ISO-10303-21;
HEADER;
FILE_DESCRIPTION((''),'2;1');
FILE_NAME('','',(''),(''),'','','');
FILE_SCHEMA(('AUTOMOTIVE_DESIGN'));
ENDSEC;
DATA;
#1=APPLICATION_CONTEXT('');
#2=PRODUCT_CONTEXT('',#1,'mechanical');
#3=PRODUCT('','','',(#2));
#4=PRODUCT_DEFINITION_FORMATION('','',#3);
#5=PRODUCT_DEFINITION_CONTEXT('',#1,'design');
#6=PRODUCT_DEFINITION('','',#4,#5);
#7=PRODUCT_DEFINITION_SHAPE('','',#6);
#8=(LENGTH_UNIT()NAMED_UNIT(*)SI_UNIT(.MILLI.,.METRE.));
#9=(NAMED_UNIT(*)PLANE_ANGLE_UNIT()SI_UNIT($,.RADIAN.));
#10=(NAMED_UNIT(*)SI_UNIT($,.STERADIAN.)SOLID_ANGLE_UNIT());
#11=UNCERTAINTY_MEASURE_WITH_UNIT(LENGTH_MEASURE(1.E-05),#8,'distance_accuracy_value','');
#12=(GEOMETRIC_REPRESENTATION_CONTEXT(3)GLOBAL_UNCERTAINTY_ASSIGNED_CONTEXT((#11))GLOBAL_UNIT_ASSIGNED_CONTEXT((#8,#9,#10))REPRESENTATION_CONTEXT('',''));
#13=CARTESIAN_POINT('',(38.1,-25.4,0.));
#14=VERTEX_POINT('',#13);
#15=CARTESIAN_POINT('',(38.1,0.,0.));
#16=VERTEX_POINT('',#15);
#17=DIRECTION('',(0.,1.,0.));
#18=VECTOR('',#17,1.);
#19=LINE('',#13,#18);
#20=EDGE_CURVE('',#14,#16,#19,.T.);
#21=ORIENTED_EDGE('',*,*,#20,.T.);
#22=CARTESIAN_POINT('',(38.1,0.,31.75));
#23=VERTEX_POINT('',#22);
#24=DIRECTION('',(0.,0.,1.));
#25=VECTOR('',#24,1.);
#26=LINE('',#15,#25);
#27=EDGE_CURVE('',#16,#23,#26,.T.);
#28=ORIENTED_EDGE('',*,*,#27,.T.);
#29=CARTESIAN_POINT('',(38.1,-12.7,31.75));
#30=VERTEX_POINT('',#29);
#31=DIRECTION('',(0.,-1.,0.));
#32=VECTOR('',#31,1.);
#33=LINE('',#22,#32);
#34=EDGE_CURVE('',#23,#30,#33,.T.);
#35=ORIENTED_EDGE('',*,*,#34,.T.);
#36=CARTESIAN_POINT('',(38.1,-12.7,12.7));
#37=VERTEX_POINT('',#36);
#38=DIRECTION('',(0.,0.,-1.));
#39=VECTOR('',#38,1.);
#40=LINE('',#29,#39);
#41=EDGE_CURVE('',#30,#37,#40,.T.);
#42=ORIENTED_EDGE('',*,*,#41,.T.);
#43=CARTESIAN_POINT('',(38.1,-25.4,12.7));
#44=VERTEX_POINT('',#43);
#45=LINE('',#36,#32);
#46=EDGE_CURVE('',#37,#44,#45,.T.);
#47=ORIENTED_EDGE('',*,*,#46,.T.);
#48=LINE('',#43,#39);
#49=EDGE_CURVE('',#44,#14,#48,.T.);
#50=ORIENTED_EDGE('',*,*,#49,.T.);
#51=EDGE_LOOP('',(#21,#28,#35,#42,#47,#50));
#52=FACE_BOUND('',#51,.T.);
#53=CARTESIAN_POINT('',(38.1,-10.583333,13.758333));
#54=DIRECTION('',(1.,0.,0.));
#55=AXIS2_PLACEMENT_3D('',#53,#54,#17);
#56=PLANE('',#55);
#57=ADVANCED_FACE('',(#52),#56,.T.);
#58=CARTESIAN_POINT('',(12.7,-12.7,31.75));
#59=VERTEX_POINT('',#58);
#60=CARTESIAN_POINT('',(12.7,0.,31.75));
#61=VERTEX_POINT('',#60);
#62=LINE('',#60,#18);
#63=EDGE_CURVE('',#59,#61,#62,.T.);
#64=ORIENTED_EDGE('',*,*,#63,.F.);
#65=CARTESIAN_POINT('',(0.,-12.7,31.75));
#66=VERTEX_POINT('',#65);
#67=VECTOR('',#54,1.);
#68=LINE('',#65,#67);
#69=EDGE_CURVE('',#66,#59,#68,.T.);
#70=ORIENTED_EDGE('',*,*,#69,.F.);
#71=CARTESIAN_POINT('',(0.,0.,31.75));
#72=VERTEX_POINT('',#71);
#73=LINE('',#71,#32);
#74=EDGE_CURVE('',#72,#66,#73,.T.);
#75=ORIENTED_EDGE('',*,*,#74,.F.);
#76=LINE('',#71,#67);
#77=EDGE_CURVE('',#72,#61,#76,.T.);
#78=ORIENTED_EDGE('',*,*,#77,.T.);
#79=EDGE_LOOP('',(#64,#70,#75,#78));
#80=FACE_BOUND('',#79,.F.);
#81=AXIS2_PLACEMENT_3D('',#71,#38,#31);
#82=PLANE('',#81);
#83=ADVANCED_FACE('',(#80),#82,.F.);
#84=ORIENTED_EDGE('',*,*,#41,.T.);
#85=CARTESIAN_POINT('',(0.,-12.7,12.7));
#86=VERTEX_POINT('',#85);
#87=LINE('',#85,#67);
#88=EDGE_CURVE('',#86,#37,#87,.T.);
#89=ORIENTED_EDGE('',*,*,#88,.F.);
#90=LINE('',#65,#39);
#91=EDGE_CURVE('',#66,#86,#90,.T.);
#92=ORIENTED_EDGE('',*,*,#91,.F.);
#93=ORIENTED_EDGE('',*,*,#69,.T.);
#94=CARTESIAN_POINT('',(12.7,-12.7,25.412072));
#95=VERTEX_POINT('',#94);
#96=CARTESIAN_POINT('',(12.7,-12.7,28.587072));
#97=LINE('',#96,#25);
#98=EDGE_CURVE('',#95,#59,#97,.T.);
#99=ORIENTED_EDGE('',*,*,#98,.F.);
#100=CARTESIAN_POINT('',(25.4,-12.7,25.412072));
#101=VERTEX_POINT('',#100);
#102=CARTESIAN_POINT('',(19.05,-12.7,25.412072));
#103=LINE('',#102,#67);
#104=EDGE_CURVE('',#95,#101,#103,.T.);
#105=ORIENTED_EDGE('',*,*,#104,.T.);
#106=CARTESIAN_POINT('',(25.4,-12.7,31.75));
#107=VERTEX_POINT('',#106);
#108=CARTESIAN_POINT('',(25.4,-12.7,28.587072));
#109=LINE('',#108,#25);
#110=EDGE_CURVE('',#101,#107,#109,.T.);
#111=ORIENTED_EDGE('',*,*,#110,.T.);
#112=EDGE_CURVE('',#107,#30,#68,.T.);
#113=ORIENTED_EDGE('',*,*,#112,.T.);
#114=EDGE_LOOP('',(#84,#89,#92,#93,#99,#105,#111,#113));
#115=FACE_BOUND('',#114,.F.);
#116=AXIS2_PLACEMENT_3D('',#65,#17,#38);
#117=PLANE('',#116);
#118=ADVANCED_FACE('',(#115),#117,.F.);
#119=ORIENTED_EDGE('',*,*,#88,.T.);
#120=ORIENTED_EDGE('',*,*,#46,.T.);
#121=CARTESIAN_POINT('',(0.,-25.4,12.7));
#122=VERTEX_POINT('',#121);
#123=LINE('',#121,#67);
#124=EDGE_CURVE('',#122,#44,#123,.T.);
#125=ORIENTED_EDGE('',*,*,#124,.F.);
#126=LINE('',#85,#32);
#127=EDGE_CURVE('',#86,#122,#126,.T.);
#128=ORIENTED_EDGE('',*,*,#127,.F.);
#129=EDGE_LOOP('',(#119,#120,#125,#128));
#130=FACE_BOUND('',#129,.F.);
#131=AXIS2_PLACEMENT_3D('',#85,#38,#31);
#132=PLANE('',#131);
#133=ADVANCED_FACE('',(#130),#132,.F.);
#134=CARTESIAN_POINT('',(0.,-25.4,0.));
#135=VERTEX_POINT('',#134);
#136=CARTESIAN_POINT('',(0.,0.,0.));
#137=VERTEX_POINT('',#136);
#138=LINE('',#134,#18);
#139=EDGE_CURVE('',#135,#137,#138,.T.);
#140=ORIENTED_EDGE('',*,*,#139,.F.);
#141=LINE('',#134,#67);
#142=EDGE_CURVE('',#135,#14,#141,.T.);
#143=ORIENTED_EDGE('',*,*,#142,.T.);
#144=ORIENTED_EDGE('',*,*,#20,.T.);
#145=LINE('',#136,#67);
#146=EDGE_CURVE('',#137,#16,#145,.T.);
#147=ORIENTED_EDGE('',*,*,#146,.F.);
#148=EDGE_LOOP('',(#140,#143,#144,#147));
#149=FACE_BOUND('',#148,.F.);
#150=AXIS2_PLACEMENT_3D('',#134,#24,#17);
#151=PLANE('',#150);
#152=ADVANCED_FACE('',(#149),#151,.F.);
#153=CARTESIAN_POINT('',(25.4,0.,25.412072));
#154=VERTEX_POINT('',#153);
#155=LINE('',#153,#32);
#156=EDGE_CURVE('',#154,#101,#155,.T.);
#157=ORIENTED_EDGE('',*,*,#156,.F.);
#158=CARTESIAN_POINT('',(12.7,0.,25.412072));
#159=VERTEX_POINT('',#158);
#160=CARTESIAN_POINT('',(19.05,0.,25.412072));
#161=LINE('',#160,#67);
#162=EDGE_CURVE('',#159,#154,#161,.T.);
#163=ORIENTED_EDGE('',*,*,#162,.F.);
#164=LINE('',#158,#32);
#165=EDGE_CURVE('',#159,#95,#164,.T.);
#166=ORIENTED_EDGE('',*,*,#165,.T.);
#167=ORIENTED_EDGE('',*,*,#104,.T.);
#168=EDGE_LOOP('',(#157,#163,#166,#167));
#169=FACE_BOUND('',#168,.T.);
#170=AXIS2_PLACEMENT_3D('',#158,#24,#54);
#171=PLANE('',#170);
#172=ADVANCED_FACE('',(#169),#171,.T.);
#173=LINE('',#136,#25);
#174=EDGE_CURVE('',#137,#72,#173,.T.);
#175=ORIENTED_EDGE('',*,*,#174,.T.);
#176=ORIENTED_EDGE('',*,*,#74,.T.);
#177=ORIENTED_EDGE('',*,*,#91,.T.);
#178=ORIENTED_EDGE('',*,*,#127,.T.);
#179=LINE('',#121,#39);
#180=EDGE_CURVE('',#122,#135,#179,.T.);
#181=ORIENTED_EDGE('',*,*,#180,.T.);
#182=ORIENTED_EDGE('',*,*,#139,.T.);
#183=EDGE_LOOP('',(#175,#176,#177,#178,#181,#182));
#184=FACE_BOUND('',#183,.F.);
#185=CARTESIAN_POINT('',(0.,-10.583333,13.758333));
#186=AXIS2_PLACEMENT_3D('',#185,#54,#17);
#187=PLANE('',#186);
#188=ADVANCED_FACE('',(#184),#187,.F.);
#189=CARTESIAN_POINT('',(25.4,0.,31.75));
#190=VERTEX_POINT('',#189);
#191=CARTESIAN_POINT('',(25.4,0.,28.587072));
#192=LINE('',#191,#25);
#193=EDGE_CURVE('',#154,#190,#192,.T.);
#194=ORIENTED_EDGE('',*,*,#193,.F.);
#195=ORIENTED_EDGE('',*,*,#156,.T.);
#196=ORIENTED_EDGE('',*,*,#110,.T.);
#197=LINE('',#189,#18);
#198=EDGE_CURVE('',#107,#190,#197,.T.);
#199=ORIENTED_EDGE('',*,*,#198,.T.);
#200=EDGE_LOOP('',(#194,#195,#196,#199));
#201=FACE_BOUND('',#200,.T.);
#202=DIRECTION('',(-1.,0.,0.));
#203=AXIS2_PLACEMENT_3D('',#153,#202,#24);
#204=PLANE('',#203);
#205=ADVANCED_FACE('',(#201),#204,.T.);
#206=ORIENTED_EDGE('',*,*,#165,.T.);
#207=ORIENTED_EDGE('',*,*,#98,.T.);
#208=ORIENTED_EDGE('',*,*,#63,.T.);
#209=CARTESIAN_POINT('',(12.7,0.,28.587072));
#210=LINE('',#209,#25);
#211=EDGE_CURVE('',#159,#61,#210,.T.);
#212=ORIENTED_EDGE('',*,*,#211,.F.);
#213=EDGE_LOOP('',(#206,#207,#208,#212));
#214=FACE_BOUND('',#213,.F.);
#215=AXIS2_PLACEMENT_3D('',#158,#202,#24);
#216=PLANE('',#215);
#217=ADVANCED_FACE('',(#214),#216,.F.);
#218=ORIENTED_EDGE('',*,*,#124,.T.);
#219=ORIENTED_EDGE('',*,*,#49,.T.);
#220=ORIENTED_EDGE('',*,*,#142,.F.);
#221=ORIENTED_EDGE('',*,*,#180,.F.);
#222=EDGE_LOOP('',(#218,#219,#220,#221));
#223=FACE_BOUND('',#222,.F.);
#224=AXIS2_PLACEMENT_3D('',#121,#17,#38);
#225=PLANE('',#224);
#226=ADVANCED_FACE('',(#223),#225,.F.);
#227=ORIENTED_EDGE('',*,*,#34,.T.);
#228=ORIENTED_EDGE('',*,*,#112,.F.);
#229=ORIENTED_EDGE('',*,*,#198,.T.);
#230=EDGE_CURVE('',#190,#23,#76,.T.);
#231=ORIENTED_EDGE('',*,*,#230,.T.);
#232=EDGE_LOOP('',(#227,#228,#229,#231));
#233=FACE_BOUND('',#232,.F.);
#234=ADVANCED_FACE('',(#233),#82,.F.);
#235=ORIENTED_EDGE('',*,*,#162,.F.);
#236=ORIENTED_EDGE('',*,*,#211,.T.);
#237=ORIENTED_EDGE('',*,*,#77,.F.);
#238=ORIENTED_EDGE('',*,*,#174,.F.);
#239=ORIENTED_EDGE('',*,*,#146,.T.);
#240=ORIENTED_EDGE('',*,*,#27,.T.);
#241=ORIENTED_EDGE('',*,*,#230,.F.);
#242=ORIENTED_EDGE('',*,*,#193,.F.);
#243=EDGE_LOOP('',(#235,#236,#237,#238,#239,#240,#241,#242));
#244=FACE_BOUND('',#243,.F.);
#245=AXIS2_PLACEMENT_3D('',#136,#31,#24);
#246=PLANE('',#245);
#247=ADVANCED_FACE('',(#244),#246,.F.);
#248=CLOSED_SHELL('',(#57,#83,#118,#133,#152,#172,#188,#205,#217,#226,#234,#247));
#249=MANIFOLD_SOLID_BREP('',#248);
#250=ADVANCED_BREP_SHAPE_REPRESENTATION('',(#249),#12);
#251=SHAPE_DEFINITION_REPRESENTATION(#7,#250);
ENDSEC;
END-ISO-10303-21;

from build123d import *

# Parameters (mm, degrees)
F1_DEPTH = 38.1
F2_W     = 12.7
F2_H     = 6.35
F3_DEPTH = 12.7


with BuildPart() as f1:
    # F0 (on Right) → F1 (new body)
    with BuildSketch(Plane.YZ):
        Polygon((0, 0), (0, 31.75), (-12.7, 31.75), (-12.7, 12.7), (-25.4, 12.7), (-25.4, 0), align=None)
    extrude(amount=F1_DEPTH)

    # F2 (on Front) → F3 (cut)
    with BuildSketch(Plane.XZ):
        with Locations((19.05, 28.587072)):
            Rectangle(F2_W, F2_H)
    extrude(amount=F3_DEPTH, mode=Mode.SUBTRACT)


solid = f1.part
